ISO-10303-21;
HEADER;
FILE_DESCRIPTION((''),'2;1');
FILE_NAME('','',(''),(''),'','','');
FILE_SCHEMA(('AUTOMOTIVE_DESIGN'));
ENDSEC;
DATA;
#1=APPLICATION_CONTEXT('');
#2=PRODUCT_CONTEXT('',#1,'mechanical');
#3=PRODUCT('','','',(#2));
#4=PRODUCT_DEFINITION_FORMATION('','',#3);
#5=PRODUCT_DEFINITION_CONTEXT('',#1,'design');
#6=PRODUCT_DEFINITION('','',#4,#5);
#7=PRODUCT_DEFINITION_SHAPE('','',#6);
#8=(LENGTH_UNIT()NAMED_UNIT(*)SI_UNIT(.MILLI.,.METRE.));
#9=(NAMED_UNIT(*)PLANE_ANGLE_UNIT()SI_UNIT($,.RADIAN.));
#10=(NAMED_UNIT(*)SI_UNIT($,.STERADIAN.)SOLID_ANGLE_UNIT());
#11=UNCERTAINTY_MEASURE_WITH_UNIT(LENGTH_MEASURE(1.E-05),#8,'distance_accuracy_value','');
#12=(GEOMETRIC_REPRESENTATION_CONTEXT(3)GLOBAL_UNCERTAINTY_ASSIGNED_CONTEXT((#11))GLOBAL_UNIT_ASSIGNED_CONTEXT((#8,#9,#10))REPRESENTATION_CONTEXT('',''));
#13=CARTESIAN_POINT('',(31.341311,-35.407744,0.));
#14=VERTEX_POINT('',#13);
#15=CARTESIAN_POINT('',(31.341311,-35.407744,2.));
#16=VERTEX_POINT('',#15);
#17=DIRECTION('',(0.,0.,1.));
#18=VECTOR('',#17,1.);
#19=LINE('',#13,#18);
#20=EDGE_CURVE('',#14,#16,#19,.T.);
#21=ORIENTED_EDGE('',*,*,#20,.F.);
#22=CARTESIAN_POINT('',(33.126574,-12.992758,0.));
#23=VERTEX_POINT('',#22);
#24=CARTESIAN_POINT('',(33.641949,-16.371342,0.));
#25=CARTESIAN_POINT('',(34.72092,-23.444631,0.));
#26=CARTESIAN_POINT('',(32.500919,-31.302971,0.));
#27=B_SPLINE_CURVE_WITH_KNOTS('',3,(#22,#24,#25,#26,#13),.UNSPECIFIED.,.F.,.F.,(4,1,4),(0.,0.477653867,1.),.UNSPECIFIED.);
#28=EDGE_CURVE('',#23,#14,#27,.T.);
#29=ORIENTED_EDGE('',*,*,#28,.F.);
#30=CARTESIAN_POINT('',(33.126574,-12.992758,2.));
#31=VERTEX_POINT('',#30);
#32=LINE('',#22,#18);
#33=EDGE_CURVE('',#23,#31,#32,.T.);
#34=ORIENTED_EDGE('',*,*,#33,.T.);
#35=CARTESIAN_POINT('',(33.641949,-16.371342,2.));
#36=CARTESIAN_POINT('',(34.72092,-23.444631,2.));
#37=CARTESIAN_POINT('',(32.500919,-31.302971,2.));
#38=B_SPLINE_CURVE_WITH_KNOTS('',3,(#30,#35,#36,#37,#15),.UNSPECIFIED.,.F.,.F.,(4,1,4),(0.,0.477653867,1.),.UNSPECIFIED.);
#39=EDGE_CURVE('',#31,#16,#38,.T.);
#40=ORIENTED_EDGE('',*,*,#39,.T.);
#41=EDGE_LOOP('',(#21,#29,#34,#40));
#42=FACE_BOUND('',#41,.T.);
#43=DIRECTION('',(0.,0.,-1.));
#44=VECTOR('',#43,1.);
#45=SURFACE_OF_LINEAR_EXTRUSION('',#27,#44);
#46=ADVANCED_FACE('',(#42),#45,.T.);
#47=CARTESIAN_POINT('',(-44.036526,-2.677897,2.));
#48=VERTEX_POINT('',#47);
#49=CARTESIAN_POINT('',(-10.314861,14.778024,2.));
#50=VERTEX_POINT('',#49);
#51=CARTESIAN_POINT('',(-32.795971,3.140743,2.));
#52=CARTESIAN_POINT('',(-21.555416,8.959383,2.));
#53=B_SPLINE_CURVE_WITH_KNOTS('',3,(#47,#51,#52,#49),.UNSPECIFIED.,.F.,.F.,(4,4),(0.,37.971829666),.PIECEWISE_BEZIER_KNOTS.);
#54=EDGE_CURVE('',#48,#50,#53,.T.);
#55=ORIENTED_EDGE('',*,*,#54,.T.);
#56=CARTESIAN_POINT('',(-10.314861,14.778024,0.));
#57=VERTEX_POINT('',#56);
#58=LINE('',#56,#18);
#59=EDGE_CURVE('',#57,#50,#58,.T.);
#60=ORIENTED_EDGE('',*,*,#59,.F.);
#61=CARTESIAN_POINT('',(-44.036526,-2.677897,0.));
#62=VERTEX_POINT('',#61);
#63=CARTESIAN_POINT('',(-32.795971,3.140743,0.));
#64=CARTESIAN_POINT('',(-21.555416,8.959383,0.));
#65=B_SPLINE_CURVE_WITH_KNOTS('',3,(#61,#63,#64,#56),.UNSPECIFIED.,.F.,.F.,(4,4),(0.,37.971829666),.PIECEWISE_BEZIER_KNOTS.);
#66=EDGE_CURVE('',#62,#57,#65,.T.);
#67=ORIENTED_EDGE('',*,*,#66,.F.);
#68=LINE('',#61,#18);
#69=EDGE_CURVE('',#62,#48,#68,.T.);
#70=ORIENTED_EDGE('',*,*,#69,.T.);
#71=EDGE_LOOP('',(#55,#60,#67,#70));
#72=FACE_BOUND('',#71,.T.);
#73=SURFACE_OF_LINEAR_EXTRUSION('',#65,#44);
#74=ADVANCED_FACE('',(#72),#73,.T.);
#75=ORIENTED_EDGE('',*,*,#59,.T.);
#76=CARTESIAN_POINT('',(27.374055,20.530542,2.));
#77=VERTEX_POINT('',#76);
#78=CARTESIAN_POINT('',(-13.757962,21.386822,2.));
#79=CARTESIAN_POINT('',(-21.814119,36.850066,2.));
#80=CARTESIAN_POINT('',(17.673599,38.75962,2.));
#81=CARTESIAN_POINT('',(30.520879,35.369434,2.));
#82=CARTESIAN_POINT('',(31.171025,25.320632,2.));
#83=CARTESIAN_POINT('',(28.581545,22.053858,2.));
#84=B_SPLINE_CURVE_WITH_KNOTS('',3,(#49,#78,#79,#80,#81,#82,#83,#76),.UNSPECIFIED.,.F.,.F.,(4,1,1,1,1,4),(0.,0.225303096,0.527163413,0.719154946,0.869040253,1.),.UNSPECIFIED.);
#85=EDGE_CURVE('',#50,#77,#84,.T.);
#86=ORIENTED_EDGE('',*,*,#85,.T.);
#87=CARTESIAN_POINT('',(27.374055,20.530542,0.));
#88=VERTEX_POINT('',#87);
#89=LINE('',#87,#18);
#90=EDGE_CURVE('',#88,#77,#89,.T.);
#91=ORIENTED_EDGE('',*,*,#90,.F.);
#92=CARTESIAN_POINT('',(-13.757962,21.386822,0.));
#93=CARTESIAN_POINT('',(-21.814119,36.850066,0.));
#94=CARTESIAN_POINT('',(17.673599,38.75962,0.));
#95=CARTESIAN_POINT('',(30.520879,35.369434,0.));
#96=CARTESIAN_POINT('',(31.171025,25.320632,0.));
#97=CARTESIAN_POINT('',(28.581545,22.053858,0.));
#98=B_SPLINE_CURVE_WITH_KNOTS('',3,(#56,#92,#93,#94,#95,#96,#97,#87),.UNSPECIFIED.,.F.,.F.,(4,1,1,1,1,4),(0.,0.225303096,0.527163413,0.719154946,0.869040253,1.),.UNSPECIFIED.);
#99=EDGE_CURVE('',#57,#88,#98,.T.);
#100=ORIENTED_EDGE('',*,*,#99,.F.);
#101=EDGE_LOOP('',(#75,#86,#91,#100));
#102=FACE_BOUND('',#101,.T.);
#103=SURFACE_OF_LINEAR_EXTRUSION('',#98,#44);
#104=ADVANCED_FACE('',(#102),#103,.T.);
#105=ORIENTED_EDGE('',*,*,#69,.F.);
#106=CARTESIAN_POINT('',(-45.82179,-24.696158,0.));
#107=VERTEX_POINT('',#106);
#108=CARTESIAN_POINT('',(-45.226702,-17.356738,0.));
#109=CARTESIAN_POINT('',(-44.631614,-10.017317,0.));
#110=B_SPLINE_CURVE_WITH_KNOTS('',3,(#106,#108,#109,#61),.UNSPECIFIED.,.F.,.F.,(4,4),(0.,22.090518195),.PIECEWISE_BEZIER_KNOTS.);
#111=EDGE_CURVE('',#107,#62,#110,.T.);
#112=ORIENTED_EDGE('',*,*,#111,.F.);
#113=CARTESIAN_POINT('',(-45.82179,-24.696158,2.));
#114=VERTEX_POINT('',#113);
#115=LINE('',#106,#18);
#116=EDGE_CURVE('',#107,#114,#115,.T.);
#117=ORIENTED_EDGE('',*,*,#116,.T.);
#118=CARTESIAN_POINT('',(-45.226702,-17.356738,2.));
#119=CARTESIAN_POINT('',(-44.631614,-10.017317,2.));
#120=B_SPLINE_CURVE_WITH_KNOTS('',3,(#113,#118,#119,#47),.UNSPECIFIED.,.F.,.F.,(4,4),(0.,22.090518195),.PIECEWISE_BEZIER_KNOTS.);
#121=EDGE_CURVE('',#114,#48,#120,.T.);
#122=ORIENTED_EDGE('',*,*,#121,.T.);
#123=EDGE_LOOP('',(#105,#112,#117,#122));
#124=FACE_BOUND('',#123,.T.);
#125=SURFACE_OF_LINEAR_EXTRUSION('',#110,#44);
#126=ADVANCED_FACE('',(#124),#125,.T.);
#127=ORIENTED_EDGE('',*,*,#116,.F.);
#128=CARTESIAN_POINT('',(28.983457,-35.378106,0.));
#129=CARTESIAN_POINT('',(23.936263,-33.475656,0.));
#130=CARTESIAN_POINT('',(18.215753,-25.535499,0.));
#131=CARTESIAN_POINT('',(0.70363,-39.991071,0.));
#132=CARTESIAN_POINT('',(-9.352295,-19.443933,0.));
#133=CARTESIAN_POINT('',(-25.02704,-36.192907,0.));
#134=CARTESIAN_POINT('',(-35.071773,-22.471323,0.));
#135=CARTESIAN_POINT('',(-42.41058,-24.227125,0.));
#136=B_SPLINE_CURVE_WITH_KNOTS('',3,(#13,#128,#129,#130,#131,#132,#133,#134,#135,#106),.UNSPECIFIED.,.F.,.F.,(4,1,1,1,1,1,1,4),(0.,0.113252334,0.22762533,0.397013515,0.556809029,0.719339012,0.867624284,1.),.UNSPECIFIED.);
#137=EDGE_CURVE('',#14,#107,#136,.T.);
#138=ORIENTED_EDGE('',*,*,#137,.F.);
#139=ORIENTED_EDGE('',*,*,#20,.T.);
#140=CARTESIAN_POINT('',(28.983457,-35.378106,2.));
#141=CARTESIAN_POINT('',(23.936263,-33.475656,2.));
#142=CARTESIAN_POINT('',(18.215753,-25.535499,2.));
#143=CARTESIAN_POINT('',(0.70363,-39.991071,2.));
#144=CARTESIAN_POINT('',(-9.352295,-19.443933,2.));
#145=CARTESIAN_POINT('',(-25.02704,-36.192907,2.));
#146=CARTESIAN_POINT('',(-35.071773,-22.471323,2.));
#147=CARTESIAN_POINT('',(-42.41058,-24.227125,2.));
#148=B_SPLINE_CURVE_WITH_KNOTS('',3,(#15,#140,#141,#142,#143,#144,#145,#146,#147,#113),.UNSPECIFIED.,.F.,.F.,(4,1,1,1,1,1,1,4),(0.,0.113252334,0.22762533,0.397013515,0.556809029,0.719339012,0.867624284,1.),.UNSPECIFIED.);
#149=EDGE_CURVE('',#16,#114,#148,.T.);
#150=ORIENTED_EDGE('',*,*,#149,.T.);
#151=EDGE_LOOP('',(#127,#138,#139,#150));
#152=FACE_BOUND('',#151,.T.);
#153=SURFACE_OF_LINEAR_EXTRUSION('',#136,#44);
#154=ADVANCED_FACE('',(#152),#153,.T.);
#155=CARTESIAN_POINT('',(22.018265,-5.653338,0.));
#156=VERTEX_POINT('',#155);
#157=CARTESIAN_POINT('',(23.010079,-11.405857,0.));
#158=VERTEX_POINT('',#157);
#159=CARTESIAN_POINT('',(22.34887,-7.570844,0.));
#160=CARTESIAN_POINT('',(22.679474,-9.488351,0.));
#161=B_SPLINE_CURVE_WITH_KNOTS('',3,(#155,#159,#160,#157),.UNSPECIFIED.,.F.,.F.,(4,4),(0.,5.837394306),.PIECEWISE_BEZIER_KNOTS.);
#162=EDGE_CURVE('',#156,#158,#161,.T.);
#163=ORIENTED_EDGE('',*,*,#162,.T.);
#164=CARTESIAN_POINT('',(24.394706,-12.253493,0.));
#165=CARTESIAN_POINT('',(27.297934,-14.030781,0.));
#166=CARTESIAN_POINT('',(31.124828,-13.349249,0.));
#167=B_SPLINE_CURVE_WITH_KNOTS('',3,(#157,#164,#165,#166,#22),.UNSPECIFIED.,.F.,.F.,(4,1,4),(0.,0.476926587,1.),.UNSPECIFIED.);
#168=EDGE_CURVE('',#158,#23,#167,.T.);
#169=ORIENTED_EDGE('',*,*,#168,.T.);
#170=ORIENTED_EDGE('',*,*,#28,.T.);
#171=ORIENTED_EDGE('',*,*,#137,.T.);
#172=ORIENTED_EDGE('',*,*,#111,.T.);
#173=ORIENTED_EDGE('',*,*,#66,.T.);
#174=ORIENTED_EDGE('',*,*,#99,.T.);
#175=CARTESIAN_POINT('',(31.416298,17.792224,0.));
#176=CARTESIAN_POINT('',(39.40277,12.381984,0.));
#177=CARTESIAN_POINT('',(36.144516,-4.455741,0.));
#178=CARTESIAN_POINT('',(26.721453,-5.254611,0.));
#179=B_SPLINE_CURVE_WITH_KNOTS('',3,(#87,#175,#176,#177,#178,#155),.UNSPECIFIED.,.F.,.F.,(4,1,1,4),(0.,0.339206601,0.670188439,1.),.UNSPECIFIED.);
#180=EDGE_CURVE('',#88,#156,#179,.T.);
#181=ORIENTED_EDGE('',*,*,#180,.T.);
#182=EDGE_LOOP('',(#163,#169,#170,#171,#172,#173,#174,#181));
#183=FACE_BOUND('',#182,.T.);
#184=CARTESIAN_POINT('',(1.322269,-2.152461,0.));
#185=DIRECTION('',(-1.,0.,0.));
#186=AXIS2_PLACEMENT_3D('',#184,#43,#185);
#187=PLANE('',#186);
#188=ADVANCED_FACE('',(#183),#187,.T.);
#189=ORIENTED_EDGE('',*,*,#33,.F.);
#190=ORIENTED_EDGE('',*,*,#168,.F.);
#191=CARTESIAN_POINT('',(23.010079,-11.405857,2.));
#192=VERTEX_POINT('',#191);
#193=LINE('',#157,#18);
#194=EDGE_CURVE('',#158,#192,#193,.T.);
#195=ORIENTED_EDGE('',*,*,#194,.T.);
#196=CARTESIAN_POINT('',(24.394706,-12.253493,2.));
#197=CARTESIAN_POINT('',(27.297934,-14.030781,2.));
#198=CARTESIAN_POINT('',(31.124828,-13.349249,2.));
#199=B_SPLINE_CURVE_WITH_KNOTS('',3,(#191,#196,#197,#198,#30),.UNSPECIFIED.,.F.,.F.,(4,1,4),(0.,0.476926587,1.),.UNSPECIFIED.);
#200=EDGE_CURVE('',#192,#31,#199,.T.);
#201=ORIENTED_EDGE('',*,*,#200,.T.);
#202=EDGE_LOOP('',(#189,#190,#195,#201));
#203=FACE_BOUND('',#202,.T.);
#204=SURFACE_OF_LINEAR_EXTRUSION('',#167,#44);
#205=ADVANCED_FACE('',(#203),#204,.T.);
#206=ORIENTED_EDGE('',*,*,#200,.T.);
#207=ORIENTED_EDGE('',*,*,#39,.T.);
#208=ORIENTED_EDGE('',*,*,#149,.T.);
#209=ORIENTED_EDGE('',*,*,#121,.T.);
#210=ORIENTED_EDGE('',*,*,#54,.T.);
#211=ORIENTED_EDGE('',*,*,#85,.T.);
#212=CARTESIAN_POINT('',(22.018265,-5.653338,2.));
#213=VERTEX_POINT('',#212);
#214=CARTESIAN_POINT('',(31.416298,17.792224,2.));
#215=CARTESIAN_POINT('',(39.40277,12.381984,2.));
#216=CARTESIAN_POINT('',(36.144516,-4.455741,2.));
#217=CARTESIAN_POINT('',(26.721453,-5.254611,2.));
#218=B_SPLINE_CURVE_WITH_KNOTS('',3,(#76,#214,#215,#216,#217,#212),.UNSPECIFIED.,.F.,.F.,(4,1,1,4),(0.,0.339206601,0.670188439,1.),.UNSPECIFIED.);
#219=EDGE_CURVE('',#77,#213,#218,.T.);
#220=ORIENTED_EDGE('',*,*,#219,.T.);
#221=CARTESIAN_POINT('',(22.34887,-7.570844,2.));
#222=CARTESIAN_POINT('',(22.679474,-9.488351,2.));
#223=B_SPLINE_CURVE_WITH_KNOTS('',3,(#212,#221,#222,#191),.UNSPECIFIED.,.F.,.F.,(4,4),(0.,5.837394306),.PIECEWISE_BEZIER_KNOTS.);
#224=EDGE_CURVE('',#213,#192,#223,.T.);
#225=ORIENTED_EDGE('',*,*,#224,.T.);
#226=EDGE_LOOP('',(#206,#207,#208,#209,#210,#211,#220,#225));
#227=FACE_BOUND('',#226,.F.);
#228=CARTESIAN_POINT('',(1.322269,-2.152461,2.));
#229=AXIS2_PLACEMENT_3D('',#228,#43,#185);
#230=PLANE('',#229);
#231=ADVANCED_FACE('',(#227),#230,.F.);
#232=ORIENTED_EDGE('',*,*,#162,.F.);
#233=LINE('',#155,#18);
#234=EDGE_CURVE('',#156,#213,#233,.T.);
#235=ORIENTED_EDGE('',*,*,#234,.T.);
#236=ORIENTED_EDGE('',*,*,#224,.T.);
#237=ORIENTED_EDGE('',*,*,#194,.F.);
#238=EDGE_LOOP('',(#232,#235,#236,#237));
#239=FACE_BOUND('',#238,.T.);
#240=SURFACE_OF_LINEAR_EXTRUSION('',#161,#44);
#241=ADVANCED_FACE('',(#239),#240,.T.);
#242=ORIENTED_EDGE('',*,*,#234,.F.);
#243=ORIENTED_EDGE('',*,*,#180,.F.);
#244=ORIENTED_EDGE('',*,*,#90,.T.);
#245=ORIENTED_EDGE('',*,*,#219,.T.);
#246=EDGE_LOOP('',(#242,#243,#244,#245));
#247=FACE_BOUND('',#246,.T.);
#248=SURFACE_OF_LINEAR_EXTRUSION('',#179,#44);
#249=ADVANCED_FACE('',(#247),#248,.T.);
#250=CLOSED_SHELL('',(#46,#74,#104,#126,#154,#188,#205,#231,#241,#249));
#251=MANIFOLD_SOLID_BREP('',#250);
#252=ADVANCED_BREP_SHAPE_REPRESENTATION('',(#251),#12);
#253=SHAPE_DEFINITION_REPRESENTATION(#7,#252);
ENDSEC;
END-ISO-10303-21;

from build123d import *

# Parameters (mm, degrees)
F1_DEPTH = 2


with BuildPart() as f1:
    # F0 (on Top) → F1 (new body)
    with BuildSketch(Plane.XY):
        with BuildLine():
            add(Edge.make_bspline(
                [(-10.3148613125, 14.7780235857), (-13.757962462, 21.3868221353), (-21.8141187465, 36.8500663608), (17.6735994763, 38.7596197412), (30.5208790414, 35.3694339321), (31.1710252188, 25.3206316517), (28.5815453553, 22.0538584546), (27.3740552366, 20.5305423588)],
                knots=[0, 0, 0, 0, 0.225303096, 0.5271634129, 0.7191549461, 0.8690402531, 1, 1, 1, 1], degree=3))
            add(Edge.make_bspline(
                [(-44.036526233, -2.6778969914), (-32.7959712595, 3.140743201), (-21.555416286, 8.9593833933), (-10.3148613125, 14.7780235857)],
                knots=[0, 0, 0, 0, 37.9718296662, 37.9718296662, 37.9718296662, 37.9718296662], degree=3))
            add(Edge.make_bspline(
                [(-45.8217896521, -24.6961582452), (-45.2267018457, -17.3567378273), (-44.6316140393, -10.0173174093), (-44.036526233, -2.6778969914)],
                knots=[0, 0, 0, 0, 22.0905181949, 22.0905181949, 22.0905181949, 22.0905181949], degree=3))
            add(Edge.make_bspline(
                [(31.3413105905, -35.407744348), (28.983457031, -35.3781057688), (23.9362634332, -33.4756556859), (18.2157534983, -25.5354986699), (0.7036295913, -39.991071434), (-9.3522949063, -19.4439330483), (-25.0270395071, -36.1929074352), (-35.0717733322, -22.4713234329), (-42.4105802881, -24.2271250941), (-45.8217896521, -24.6961582452)],
                knots=[0, 0, 0, 0, 0.1132523337, 0.2276253302, 0.3970135149, 0.5568090292, 0.7193390117, 0.8676242837, 1, 1, 1, 1], degree=3))
            add(Edge.make_bspline(
                [(33.1265740097, -12.9927583039), (33.6419487965, -16.3713420426), (34.7209200411, -23.4446308311), (32.5009193618, -31.3029708325), (31.3413105905, -35.407744348)],
                knots=[0, 0, 0, 0, 0.4776538665, 1, 1, 1, 1], degree=3))
            add(Edge.make_bspline(
                [(23.0100788176, -11.4058572799), (24.3947056462, -12.2534930103), (27.2979340781, -14.0307806531), (31.1248277022, -13.349249257), (33.1265740097, -12.9927583039)],
                knots=[0, 0, 0, 0, 0.4769265875, 1, 1, 1, 1], degree=3))
            add(Edge.make_bspline(
                [(22.0182649791, -5.6533380412), (22.348869592, -7.5708444541), (22.6794742048, -9.488350867), (23.0100788176, -11.4058572799)],
                knots=[0, 0, 0, 0, 5.8373943059, 5.8373943059, 5.8373943059, 5.8373943059], degree=3))
            add(Edge.make_bspline(
                [(27.3740552366, 20.5305423588), (31.4162976754, 17.7922240351), (39.4027700611, 12.3819835543), (36.1445163416, -4.455741126), (26.7214526249, -5.2546106738), (22.0182649791, -5.6533380412)],
                knots=[0, 0, 0, 0, 0.3392066009, 0.6701884393, 1, 1, 1, 1], degree=3))
        make_face()
    extrude(amount=F1_DEPTH)


solid = f1.part
